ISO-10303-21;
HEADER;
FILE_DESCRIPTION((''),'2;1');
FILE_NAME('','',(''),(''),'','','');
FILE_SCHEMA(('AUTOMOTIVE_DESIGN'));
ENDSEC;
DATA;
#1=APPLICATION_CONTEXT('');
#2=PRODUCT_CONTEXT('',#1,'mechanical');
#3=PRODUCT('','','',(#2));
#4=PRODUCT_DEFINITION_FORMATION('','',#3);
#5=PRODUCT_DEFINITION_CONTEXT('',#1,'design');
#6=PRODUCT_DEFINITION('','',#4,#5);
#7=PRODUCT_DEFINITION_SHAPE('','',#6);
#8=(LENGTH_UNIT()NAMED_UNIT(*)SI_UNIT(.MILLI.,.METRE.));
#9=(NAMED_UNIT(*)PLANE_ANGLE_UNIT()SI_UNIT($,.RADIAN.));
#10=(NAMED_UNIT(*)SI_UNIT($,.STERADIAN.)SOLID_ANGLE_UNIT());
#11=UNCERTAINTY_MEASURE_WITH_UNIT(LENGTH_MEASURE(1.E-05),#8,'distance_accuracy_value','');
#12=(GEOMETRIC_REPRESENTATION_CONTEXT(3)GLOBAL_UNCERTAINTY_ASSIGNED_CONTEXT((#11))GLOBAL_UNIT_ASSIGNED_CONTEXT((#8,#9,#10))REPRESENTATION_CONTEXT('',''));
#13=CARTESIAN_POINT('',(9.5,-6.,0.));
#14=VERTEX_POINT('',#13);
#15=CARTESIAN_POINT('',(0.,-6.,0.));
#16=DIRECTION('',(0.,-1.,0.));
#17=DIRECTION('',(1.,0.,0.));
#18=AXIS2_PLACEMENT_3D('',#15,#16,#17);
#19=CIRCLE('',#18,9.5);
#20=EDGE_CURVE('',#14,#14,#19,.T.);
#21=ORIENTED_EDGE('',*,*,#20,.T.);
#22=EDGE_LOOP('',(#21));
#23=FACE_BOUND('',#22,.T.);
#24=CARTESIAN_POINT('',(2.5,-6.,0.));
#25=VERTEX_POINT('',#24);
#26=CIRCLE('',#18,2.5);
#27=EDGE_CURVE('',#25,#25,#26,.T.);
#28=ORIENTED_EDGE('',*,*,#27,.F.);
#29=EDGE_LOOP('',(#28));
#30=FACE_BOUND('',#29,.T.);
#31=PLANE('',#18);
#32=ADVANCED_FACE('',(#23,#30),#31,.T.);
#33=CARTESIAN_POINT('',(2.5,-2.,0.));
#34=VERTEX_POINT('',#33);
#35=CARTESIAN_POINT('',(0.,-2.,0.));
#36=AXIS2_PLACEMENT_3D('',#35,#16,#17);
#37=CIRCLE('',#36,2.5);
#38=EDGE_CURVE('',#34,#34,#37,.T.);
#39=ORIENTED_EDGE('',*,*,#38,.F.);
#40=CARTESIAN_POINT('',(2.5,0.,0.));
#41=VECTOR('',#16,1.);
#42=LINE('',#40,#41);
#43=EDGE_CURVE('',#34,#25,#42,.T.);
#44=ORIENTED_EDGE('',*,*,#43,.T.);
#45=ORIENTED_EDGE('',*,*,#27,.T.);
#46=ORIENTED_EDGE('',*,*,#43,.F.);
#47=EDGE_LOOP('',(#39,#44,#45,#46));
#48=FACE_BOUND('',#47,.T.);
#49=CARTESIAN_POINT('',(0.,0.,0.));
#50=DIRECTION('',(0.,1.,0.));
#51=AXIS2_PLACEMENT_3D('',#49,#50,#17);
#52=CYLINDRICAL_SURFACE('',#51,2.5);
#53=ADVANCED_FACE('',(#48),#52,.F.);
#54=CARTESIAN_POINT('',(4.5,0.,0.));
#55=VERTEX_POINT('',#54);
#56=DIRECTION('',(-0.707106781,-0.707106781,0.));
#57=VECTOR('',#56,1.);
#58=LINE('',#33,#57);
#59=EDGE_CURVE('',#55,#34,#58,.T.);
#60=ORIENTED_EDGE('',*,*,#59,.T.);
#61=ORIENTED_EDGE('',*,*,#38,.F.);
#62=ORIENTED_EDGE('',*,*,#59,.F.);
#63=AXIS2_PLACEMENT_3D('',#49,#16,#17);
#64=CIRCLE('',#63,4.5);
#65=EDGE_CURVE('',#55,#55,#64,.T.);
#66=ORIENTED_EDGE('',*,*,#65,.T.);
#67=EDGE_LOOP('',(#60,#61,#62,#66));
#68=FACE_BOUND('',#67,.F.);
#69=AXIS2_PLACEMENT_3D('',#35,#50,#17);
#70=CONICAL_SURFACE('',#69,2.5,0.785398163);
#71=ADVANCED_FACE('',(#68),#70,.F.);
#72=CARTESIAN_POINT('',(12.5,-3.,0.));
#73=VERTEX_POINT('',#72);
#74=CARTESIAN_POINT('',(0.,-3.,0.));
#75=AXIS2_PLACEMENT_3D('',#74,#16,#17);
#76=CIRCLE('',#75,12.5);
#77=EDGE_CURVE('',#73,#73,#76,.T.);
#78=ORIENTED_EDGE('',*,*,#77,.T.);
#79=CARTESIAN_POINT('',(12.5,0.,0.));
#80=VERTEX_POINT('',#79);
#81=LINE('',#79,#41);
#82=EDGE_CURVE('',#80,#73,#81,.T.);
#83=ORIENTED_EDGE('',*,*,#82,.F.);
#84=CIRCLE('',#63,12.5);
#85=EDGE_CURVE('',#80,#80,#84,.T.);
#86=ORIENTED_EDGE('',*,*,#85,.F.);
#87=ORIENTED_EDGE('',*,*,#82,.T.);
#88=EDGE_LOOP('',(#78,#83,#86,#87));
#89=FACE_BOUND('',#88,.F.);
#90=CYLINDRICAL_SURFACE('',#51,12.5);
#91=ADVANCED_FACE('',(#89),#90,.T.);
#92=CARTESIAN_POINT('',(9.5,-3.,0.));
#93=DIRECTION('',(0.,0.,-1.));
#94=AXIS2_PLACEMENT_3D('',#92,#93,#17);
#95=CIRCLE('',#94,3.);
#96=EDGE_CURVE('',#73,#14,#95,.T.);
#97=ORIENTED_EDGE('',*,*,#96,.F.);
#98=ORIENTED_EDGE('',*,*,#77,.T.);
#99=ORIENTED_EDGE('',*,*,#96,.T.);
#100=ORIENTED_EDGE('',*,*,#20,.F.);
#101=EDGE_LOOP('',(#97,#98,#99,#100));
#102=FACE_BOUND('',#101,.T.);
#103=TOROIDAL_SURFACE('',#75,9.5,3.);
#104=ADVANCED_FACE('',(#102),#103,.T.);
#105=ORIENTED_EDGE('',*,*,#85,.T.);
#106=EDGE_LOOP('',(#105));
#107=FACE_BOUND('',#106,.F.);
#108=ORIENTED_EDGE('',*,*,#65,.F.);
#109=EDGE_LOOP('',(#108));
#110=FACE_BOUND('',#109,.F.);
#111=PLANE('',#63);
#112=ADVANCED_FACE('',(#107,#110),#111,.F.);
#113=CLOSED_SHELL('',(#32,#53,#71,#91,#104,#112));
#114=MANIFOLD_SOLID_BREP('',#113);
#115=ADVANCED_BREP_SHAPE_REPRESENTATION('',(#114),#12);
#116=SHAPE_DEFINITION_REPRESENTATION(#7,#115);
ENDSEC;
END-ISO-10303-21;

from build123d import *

# Parameters (mm, degrees)
F0_R     = 12.5
F0_R_2   = 2.5
F1_DEPTH = 6
F2_R     = 3
F3_SIZE  = 2


with BuildPart() as f1:
    # F0 (on Front) → F1 (new body)
    with BuildSketch(Plane.XZ):
        Circle(F0_R)
        Circle(F0_R_2, mode=Mode.SUBTRACT)
    extrude(amount=F1_DEPTH)

    # F2
    f2_edges = [f1.edges().sort_by_distance(p)[0] for p in [
        (-12.5, -6, 0),
    ]]
    fillet(f2_edges, radius=F2_R)

    # F3
    f3_edges = [f1.edges().sort_by_distance(p)[0] for p in [
        (-2.5, 0, 0),
    ]]
    chamfer(f3_edges, length=F3_SIZE)


solid = f1.part
